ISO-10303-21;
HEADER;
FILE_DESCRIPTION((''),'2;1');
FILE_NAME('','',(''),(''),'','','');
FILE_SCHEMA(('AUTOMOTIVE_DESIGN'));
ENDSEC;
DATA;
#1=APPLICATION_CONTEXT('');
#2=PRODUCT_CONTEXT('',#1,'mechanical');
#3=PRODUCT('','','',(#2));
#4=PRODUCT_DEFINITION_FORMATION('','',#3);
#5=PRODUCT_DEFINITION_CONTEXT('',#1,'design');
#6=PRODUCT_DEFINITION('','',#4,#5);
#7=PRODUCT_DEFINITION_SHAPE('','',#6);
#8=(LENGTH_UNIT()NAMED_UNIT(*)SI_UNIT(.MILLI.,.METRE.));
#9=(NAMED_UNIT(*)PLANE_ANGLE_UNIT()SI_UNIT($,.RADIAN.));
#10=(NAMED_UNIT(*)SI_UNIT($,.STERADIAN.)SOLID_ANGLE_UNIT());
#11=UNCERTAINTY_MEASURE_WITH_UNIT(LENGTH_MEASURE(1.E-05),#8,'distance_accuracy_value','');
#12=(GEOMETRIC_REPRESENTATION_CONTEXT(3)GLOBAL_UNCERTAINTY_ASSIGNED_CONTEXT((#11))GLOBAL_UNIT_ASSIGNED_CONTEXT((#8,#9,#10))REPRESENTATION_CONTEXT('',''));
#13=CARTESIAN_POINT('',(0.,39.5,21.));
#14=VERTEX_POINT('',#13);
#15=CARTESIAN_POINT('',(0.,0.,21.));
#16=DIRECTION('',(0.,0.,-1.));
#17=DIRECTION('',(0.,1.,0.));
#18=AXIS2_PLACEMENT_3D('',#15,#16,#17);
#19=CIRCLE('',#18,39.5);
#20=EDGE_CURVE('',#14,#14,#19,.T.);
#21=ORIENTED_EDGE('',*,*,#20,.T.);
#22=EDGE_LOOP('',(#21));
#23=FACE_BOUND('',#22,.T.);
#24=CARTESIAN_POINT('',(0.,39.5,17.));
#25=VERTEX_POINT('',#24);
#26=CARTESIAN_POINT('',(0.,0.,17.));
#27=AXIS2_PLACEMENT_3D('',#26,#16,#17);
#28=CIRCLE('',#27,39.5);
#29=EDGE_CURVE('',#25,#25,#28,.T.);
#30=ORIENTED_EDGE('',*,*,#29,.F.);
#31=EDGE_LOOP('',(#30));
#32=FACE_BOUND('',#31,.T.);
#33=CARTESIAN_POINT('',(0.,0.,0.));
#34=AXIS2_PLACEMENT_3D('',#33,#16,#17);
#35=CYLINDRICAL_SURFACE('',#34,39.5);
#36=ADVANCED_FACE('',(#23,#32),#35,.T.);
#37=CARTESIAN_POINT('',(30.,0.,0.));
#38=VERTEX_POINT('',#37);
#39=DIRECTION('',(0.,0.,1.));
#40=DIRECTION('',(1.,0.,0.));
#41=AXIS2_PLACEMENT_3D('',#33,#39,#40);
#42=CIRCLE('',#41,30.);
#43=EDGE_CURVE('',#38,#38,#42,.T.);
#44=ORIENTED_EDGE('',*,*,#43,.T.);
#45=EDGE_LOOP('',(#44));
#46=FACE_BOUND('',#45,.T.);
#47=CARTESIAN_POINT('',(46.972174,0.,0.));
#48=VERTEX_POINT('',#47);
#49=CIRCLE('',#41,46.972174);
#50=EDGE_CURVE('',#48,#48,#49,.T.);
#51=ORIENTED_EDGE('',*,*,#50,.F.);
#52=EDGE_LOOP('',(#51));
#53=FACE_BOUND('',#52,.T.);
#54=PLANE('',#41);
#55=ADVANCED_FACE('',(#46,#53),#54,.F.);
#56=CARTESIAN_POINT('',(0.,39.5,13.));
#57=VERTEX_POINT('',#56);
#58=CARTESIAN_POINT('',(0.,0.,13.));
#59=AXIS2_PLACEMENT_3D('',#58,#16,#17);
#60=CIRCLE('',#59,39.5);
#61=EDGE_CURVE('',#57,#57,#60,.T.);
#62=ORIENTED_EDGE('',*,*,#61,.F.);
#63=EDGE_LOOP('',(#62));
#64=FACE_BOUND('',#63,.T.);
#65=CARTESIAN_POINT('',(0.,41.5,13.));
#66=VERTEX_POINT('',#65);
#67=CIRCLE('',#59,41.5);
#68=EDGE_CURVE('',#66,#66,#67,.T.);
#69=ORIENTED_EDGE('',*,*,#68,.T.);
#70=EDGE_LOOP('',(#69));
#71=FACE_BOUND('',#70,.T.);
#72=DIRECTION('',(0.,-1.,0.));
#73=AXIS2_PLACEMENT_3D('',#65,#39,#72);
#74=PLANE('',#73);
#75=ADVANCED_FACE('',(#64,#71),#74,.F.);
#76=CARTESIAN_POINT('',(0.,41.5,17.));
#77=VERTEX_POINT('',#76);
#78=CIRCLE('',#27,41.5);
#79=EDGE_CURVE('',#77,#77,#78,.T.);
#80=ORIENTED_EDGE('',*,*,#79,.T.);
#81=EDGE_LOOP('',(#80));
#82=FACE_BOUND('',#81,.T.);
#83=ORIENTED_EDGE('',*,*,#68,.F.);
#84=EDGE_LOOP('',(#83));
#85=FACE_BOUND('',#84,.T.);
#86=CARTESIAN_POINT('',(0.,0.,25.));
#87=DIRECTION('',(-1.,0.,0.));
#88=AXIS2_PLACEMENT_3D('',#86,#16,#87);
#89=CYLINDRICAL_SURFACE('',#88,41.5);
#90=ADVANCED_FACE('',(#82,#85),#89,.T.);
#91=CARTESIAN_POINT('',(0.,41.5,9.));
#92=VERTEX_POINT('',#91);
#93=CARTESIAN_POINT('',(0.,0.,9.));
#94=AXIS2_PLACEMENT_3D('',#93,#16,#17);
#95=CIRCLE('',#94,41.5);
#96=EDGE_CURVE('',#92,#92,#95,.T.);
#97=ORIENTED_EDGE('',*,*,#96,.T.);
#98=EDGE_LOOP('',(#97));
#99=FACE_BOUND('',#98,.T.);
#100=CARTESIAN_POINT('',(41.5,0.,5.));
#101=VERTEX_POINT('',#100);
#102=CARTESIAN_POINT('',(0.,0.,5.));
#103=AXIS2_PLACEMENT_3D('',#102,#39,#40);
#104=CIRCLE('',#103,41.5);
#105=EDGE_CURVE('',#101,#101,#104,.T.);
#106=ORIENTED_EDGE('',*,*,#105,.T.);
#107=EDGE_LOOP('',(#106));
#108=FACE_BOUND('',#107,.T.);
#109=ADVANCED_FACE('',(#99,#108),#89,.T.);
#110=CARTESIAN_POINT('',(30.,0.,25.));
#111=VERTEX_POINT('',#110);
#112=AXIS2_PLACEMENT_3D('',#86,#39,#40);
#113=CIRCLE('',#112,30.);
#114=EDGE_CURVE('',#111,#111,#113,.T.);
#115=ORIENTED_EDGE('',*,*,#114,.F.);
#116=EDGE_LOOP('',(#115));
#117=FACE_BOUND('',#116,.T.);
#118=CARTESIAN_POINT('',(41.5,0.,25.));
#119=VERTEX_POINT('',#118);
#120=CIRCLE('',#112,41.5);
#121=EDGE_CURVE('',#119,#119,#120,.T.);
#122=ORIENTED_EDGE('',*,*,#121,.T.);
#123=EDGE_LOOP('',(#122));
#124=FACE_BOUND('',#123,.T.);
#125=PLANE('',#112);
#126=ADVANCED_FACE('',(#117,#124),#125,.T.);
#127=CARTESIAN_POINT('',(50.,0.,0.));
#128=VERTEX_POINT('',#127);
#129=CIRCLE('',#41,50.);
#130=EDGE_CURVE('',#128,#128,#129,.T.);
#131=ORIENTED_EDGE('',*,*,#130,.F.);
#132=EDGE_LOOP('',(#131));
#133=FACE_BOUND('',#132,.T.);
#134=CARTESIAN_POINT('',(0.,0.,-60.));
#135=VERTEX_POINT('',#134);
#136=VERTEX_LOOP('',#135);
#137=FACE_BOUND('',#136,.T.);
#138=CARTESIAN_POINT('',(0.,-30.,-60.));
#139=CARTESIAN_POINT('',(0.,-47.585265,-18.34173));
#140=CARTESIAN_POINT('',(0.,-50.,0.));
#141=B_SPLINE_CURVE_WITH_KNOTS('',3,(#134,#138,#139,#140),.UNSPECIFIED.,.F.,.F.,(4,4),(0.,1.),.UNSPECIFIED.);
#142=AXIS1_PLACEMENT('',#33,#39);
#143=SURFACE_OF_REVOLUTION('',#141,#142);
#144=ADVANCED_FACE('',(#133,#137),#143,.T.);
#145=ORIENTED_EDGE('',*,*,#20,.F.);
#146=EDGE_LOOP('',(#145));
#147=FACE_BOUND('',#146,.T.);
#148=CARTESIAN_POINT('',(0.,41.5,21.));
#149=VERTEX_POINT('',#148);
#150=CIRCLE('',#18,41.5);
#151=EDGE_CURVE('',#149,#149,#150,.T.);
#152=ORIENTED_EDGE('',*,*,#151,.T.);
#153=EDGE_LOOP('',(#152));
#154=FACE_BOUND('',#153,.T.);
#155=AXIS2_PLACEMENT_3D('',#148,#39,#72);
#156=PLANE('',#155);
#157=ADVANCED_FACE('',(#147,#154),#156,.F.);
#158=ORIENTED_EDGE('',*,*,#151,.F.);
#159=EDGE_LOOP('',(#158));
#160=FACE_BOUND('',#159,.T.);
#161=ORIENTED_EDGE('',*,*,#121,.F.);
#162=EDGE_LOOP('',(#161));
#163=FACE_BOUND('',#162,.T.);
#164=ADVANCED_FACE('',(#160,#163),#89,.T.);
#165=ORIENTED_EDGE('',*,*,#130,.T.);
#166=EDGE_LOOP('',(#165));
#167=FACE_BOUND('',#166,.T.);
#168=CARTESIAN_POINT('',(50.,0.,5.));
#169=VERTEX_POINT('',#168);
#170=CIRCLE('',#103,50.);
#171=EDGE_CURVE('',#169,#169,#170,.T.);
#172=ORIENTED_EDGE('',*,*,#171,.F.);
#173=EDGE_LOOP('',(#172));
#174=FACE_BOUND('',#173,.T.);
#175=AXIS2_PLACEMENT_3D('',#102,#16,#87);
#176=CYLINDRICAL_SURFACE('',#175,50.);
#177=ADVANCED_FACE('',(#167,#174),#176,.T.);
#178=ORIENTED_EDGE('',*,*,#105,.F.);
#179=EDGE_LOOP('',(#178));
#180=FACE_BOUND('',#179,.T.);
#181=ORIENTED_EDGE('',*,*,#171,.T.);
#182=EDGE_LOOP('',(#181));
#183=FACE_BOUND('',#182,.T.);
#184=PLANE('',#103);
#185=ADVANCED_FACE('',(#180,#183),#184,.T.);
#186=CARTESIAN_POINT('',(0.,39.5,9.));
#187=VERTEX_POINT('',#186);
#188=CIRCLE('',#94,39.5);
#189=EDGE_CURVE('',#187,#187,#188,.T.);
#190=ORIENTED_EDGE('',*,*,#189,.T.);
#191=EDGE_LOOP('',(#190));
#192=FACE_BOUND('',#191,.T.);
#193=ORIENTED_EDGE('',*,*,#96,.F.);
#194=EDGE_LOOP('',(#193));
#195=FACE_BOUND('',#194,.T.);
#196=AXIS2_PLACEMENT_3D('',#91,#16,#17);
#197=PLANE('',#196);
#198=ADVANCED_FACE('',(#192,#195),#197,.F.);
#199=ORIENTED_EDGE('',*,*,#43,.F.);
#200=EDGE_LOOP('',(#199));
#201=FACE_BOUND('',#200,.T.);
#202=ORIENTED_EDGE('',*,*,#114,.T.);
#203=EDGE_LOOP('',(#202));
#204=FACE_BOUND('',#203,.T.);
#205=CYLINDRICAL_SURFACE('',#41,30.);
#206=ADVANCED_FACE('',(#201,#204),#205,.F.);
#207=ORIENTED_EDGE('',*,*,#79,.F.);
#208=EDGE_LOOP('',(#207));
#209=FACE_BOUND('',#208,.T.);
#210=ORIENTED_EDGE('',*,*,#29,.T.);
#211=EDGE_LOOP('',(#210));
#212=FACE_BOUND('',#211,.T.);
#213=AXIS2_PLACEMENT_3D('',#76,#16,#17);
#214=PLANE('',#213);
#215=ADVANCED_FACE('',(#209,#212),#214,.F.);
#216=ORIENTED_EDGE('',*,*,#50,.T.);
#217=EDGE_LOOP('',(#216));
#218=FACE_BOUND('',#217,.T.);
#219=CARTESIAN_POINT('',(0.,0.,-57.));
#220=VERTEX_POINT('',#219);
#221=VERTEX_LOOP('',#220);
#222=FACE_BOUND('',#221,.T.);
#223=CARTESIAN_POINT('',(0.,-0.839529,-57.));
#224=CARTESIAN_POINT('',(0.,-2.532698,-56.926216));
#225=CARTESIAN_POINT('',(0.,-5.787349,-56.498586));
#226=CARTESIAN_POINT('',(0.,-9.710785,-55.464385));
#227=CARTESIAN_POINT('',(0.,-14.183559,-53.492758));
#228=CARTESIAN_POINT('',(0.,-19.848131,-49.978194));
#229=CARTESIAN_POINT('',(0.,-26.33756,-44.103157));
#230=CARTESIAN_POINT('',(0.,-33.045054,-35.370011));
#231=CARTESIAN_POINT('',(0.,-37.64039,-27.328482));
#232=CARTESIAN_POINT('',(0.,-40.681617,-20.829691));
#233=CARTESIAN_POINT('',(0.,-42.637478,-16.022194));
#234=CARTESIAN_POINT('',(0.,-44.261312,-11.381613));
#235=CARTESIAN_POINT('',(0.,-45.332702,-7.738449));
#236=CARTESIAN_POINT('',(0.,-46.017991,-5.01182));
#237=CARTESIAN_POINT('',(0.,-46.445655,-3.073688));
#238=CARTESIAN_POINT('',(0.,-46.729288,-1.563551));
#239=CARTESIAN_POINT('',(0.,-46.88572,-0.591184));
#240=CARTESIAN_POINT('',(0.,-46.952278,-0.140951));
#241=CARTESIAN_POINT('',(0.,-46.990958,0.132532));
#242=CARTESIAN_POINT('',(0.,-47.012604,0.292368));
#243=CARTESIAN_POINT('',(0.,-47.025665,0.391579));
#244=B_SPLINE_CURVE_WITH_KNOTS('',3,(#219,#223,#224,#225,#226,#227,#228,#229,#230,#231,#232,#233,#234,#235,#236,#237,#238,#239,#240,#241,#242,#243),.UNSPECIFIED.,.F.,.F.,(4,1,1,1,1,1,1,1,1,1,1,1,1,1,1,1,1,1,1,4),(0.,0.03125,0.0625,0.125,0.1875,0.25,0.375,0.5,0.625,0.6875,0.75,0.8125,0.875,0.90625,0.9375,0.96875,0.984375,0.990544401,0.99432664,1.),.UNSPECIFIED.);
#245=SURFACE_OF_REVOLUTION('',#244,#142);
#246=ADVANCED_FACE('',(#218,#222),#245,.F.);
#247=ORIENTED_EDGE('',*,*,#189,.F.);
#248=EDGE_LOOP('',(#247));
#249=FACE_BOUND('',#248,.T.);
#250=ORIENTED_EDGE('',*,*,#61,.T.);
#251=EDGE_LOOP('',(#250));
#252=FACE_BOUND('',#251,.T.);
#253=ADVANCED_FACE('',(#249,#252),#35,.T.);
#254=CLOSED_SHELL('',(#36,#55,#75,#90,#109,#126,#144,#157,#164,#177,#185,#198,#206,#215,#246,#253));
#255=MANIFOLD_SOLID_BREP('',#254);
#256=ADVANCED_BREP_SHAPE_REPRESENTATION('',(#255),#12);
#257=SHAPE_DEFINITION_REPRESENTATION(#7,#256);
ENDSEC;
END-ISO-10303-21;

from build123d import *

# Parameters (mm, degrees)
SKETCH1_R           = 50
BOSS_EXTRUDE1_DEPTH = 5
SKETCH2_R           = 41.5
BOSS_EXTRUDE2_DEPTH = 20
SKETCH4_W           = 4
SKETCH4_H           = 2
SKETCH6_R           = 30
CUT_EXTRUDE1_DEPTH  = 76


with BuildPart() as part:
    # Sketch1 → Boss-Extrude1 (new body)
    with BuildSketch(Plane.XY):
        Circle(SKETCH1_R)
    extrude(amount=BOSS_EXTRUDE1_DEPTH)

    # Sketch2 → Boss-Extrude2 (add)
    with BuildSketch(Plane.XY.offset(5)):
        Circle(SKETCH2_R)
    extrude(amount=BOSS_EXTRUDE2_DEPTH)

    # Sketch4 → Cut-Revolve1 (revolve, cut)
    with BuildSketch(Plane(origin=(0, 0, 0), x_dir=(0, 0, -1), z_dir=(1, 0, 0))):
        with Locations((-11, 40.5)):
            Rectangle(SKETCH4_W, SKETCH4_H)
        with Locations((-19, 40.5)):
            Rectangle(SKETCH4_W, SKETCH4_H)
    revolve(axis=Axis((0, 0, 0), (0, 0, 1)), mode=Mode.SUBTRACT)

    # Sketch6 → Cut-Extrude1 (cut, through all)
    with BuildSketch(Plane.XY.offset(25)):
        Circle(SKETCH6_R)
    extrude(amount=-CUT_EXTRUDE1_DEPTH, mode=Mode.SUBTRACT)

    # Sketch5 → Revolve2 (revolve)
    with BuildSketch(Plane(origin=(0, 0, 0), x_dir=(0, 0, -1), z_dir=(1, 0, 0)), mode=Mode.PRIVATE) as revolve2_sk:
        with BuildLine():
            add(Edge.make_bspline(
                [(60, 0), (60, -30), (18.341729935, -47.585265444), (0, -50)],
                knots=[0, 0, 0, 0, 1, 1, 1, 1], degree=3))
            Line((60, 0), (57, 0))
            add(Edge.make_bspline(
                [(57, 0), (57, -0.839529251), (56.926216151, -2.532697799), (56.498585906, -5.787348513), (55.464384581, -9.710785416), (53.492757525, -14.183558613), (49.97819358, -19.848130616), (44.10315688, -26.337560331), (35.370011046, -33.045053917), (27.328482154, -37.640390457), (20.829690882, -40.681617372), (16.022193995, -42.637477595), (11.381613041, -44.261311839), (7.738449227, -45.332702164), (5.011819594, -46.017990599), (3.073688428, -46.445655401), (1.563551079, -46.729287857), (0.591183995, -46.88571964), (0.174241223, -46.947356625), (0.033004859, -46.967504681), (0, -46.972173716)],
                knots=[0, 0, 0, 0, 0.03125, 0.0625, 0.125, 0.1875, 0.25, 0.375, 0.5, 0.625, 0.6875, 0.75, 0.8125, 0.875, 0.90625, 0.9375, 0.96875, 0.984375, 0.990544401, 0.99243552, 0.99243552, 0.99243552, 0.99243552], degree=3))
            Line((0, -46.972173716), (0, -50))
        make_face()
    revolve(revolve2_sk.sketch.rotate(Axis((0, 0, 0), (0, 0, -1)), 180), axis=Axis((0, 0, 0), (0, 0, -1)))


solid = part.part
